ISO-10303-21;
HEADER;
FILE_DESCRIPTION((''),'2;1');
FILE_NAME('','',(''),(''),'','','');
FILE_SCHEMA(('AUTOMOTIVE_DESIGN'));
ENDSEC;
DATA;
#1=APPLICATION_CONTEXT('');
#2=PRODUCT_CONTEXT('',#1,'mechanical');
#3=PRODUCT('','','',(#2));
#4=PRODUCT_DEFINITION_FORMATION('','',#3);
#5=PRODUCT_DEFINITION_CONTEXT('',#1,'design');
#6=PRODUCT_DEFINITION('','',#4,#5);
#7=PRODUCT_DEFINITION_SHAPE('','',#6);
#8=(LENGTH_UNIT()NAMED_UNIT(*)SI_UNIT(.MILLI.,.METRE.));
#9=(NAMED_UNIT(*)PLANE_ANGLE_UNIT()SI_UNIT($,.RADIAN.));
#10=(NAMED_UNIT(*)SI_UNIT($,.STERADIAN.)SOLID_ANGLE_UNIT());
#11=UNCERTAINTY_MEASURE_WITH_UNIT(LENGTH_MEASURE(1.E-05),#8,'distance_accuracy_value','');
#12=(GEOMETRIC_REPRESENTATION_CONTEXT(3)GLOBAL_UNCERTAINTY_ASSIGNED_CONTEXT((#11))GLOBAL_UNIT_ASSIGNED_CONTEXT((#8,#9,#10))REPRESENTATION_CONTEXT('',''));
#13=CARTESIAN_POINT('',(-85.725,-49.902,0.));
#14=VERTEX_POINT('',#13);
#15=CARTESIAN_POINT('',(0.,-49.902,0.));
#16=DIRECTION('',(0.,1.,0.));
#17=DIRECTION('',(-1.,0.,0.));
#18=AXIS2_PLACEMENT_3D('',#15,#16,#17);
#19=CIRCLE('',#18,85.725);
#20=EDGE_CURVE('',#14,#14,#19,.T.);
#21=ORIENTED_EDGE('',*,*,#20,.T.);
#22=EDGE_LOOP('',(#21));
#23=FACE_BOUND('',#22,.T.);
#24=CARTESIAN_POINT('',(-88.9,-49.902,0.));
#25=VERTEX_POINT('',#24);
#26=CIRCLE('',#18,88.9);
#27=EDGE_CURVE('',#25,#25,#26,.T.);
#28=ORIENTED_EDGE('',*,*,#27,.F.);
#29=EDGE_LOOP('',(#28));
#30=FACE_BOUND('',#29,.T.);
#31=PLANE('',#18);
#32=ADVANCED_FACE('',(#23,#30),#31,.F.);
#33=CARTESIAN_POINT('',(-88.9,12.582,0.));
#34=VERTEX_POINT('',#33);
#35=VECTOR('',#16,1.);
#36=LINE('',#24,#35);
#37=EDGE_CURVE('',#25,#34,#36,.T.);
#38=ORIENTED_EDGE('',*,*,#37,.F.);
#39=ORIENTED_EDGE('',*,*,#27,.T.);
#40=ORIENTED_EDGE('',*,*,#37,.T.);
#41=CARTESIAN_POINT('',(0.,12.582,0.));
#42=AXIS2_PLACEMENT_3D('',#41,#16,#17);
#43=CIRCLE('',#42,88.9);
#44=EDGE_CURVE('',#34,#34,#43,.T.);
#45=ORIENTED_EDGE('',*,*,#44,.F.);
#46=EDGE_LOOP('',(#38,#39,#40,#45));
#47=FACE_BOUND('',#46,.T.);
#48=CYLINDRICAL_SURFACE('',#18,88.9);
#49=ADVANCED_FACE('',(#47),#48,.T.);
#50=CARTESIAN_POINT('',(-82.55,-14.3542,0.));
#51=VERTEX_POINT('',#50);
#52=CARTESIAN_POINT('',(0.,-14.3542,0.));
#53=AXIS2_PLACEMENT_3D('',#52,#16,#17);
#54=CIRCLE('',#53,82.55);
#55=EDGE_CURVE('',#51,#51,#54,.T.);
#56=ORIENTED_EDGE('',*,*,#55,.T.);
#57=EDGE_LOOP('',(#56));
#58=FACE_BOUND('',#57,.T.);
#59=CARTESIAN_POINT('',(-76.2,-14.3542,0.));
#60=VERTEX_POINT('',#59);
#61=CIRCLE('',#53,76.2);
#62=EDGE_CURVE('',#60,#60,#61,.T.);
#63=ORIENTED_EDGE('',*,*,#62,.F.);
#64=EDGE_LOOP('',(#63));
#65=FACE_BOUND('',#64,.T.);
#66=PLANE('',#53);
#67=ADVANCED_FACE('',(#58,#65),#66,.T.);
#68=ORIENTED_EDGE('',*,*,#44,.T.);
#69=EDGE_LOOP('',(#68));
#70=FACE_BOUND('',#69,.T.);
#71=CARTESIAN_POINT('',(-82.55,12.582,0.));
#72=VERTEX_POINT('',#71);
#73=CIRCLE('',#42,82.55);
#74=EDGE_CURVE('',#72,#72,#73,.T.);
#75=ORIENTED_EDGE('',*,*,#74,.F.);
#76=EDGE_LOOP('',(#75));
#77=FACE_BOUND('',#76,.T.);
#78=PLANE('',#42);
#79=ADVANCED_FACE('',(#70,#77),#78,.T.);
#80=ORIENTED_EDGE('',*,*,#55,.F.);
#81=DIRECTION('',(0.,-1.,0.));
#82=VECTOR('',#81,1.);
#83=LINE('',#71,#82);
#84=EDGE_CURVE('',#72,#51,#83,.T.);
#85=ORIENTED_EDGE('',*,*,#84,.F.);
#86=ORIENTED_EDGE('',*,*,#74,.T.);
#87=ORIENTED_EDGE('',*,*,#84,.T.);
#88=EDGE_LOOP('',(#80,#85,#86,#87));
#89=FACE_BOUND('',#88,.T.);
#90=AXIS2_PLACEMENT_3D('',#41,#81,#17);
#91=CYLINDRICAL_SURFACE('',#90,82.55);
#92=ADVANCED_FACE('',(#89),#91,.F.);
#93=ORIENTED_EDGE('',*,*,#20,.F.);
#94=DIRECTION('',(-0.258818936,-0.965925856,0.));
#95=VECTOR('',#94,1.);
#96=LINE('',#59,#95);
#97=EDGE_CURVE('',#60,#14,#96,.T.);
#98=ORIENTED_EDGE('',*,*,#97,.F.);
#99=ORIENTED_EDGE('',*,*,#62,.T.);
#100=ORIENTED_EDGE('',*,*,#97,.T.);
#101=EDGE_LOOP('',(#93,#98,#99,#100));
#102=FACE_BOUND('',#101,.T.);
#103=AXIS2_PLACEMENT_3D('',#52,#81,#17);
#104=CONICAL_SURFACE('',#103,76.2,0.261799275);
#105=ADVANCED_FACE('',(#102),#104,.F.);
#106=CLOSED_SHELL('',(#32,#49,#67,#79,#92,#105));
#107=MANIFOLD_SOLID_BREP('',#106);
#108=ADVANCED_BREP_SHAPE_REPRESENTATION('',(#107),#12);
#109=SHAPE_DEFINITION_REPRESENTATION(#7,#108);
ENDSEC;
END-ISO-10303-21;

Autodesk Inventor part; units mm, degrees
ref_plane "YZ Plane" through (0, 0, 0) normal (1, 0, 0) x (0, 1, 0)
ref_plane "XZ Plane" through (0, 0, 0) normal (0, 1, 0) x (-1, 0, 0)
ref_plane "XY Plane" through (0, 0, 0) normal (0, 0, 1) x (1, 0, 0)
sketch "Sketch1" plane through (0, 0, 0) normal (0, 0, 1) x (1, 0, 0)
  line L0 (-82.55, 12.582) -> (-82.55, -14.3542)
  line L1 (-82.55, -14.3542) -> (-76.2, -14.3542)
  line L2 (-76.2, -14.3542) -> (-85.725, -49.902)
  line L3 (-85.725, -49.902) -> (-88.9, -49.902)
  line L4 (-88.9, -49.902) -> (-88.9, 12.582)
  line L5 (-88.9, 12.582) -> (-82.55, 12.582)
  line L6 (0, -62.3988) -> (0, 25.0788) projected
  point P0 (0, 0)
  dimension "d0" = 6.35
  dimension "d1" = 3.175
  dimension "d2" = 105
  dimension "d3" = 76.2
  dimension "d4" = 6.35
  dimension "d6" = 62.484
revolve "Revolution1" add sketch "Sketch1" angle 360 about axis through (0, -10, 0) along (0, 1, 0)
properties part number "Skirt Master Sketch" material "Aluminum 6061"
